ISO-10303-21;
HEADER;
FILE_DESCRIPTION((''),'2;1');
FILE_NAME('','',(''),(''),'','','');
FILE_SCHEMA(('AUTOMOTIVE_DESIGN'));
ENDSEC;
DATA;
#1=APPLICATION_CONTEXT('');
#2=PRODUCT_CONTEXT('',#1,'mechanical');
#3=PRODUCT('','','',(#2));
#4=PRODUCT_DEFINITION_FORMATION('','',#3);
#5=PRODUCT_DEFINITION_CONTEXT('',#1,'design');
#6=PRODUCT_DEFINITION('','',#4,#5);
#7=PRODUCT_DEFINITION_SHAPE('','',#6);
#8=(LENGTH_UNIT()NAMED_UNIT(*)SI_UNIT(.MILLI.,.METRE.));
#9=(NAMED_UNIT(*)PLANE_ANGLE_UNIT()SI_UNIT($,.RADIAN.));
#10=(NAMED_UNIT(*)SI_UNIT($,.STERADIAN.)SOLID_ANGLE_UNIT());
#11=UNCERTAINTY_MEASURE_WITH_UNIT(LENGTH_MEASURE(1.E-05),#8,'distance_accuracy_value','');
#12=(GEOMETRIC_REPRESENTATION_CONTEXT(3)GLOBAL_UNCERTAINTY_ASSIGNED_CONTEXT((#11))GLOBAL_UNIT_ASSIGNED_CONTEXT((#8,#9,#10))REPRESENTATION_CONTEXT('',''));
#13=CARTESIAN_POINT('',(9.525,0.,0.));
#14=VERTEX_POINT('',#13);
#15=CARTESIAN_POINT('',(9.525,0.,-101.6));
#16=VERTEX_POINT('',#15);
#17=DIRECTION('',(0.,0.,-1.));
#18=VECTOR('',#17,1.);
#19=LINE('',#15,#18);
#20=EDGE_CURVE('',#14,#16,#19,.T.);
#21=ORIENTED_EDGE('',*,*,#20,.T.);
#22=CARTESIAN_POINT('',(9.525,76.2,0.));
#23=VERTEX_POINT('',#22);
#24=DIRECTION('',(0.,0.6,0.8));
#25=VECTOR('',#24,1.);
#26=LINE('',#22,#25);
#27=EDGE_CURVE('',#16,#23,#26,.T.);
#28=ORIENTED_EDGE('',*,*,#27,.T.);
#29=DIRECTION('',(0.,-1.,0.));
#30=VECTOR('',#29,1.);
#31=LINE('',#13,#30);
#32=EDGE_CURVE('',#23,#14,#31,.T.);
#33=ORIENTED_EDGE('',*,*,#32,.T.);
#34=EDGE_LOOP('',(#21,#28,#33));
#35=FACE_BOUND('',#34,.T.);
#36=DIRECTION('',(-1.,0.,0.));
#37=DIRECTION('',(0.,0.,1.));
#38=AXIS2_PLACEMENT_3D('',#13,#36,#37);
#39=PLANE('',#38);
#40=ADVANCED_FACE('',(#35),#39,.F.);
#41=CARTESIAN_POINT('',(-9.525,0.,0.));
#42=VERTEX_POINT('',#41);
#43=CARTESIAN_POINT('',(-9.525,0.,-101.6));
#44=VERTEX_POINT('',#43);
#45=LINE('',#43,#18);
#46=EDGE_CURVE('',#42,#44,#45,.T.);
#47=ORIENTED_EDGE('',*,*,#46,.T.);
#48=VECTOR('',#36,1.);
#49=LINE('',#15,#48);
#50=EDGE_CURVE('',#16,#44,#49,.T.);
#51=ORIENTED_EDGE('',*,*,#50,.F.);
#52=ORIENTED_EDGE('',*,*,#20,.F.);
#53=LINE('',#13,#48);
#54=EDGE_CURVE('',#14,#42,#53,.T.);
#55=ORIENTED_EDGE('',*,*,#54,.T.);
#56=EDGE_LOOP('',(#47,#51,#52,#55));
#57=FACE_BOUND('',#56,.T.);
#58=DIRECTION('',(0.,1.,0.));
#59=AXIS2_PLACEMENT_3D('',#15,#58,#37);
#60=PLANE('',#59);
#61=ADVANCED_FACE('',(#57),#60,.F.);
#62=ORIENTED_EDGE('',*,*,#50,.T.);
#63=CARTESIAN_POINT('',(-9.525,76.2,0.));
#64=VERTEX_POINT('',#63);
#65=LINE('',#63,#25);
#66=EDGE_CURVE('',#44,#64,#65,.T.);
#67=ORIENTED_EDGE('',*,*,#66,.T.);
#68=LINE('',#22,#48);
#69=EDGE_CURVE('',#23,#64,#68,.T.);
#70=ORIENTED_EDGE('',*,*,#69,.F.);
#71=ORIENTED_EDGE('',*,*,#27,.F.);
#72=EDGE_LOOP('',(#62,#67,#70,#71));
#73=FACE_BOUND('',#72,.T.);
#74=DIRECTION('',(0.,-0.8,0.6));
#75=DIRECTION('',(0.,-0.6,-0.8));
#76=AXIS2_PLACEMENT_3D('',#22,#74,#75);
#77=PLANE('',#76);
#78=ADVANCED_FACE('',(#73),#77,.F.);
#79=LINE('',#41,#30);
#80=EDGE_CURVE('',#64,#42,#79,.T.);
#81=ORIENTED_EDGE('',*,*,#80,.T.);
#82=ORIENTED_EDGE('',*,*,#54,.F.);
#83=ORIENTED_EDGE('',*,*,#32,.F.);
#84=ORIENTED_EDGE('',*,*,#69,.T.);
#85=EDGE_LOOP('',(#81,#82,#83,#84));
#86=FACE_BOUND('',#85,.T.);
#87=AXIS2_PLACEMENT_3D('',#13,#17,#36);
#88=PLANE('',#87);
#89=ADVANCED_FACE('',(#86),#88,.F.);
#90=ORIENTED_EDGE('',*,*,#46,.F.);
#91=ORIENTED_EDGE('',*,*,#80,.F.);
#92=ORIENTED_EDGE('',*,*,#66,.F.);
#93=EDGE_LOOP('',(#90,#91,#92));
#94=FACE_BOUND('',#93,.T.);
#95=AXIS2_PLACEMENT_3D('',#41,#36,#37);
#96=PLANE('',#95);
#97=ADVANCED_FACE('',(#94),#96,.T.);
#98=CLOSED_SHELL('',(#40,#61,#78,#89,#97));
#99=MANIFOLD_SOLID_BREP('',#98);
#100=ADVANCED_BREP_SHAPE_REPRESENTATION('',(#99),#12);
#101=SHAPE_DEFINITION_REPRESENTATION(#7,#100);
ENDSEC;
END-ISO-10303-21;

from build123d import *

# Parameters (mm, degrees)
BOSS_EXTRUDE1_DEPTH = 9.525


with BuildPart() as part:
    # Sketch1 → Boss-Extrude1 (new body, symmetric)
    with BuildSketch(Plane(origin=(0, 0, 0), x_dir=(0, 0, -1), z_dir=(1, 0, 0))):
        Polygon((0, 0), (0, 76.2), (101.6, 0), align=None)
    extrude(amount=BOSS_EXTRUDE1_DEPTH, both=True)


solid = part.part
